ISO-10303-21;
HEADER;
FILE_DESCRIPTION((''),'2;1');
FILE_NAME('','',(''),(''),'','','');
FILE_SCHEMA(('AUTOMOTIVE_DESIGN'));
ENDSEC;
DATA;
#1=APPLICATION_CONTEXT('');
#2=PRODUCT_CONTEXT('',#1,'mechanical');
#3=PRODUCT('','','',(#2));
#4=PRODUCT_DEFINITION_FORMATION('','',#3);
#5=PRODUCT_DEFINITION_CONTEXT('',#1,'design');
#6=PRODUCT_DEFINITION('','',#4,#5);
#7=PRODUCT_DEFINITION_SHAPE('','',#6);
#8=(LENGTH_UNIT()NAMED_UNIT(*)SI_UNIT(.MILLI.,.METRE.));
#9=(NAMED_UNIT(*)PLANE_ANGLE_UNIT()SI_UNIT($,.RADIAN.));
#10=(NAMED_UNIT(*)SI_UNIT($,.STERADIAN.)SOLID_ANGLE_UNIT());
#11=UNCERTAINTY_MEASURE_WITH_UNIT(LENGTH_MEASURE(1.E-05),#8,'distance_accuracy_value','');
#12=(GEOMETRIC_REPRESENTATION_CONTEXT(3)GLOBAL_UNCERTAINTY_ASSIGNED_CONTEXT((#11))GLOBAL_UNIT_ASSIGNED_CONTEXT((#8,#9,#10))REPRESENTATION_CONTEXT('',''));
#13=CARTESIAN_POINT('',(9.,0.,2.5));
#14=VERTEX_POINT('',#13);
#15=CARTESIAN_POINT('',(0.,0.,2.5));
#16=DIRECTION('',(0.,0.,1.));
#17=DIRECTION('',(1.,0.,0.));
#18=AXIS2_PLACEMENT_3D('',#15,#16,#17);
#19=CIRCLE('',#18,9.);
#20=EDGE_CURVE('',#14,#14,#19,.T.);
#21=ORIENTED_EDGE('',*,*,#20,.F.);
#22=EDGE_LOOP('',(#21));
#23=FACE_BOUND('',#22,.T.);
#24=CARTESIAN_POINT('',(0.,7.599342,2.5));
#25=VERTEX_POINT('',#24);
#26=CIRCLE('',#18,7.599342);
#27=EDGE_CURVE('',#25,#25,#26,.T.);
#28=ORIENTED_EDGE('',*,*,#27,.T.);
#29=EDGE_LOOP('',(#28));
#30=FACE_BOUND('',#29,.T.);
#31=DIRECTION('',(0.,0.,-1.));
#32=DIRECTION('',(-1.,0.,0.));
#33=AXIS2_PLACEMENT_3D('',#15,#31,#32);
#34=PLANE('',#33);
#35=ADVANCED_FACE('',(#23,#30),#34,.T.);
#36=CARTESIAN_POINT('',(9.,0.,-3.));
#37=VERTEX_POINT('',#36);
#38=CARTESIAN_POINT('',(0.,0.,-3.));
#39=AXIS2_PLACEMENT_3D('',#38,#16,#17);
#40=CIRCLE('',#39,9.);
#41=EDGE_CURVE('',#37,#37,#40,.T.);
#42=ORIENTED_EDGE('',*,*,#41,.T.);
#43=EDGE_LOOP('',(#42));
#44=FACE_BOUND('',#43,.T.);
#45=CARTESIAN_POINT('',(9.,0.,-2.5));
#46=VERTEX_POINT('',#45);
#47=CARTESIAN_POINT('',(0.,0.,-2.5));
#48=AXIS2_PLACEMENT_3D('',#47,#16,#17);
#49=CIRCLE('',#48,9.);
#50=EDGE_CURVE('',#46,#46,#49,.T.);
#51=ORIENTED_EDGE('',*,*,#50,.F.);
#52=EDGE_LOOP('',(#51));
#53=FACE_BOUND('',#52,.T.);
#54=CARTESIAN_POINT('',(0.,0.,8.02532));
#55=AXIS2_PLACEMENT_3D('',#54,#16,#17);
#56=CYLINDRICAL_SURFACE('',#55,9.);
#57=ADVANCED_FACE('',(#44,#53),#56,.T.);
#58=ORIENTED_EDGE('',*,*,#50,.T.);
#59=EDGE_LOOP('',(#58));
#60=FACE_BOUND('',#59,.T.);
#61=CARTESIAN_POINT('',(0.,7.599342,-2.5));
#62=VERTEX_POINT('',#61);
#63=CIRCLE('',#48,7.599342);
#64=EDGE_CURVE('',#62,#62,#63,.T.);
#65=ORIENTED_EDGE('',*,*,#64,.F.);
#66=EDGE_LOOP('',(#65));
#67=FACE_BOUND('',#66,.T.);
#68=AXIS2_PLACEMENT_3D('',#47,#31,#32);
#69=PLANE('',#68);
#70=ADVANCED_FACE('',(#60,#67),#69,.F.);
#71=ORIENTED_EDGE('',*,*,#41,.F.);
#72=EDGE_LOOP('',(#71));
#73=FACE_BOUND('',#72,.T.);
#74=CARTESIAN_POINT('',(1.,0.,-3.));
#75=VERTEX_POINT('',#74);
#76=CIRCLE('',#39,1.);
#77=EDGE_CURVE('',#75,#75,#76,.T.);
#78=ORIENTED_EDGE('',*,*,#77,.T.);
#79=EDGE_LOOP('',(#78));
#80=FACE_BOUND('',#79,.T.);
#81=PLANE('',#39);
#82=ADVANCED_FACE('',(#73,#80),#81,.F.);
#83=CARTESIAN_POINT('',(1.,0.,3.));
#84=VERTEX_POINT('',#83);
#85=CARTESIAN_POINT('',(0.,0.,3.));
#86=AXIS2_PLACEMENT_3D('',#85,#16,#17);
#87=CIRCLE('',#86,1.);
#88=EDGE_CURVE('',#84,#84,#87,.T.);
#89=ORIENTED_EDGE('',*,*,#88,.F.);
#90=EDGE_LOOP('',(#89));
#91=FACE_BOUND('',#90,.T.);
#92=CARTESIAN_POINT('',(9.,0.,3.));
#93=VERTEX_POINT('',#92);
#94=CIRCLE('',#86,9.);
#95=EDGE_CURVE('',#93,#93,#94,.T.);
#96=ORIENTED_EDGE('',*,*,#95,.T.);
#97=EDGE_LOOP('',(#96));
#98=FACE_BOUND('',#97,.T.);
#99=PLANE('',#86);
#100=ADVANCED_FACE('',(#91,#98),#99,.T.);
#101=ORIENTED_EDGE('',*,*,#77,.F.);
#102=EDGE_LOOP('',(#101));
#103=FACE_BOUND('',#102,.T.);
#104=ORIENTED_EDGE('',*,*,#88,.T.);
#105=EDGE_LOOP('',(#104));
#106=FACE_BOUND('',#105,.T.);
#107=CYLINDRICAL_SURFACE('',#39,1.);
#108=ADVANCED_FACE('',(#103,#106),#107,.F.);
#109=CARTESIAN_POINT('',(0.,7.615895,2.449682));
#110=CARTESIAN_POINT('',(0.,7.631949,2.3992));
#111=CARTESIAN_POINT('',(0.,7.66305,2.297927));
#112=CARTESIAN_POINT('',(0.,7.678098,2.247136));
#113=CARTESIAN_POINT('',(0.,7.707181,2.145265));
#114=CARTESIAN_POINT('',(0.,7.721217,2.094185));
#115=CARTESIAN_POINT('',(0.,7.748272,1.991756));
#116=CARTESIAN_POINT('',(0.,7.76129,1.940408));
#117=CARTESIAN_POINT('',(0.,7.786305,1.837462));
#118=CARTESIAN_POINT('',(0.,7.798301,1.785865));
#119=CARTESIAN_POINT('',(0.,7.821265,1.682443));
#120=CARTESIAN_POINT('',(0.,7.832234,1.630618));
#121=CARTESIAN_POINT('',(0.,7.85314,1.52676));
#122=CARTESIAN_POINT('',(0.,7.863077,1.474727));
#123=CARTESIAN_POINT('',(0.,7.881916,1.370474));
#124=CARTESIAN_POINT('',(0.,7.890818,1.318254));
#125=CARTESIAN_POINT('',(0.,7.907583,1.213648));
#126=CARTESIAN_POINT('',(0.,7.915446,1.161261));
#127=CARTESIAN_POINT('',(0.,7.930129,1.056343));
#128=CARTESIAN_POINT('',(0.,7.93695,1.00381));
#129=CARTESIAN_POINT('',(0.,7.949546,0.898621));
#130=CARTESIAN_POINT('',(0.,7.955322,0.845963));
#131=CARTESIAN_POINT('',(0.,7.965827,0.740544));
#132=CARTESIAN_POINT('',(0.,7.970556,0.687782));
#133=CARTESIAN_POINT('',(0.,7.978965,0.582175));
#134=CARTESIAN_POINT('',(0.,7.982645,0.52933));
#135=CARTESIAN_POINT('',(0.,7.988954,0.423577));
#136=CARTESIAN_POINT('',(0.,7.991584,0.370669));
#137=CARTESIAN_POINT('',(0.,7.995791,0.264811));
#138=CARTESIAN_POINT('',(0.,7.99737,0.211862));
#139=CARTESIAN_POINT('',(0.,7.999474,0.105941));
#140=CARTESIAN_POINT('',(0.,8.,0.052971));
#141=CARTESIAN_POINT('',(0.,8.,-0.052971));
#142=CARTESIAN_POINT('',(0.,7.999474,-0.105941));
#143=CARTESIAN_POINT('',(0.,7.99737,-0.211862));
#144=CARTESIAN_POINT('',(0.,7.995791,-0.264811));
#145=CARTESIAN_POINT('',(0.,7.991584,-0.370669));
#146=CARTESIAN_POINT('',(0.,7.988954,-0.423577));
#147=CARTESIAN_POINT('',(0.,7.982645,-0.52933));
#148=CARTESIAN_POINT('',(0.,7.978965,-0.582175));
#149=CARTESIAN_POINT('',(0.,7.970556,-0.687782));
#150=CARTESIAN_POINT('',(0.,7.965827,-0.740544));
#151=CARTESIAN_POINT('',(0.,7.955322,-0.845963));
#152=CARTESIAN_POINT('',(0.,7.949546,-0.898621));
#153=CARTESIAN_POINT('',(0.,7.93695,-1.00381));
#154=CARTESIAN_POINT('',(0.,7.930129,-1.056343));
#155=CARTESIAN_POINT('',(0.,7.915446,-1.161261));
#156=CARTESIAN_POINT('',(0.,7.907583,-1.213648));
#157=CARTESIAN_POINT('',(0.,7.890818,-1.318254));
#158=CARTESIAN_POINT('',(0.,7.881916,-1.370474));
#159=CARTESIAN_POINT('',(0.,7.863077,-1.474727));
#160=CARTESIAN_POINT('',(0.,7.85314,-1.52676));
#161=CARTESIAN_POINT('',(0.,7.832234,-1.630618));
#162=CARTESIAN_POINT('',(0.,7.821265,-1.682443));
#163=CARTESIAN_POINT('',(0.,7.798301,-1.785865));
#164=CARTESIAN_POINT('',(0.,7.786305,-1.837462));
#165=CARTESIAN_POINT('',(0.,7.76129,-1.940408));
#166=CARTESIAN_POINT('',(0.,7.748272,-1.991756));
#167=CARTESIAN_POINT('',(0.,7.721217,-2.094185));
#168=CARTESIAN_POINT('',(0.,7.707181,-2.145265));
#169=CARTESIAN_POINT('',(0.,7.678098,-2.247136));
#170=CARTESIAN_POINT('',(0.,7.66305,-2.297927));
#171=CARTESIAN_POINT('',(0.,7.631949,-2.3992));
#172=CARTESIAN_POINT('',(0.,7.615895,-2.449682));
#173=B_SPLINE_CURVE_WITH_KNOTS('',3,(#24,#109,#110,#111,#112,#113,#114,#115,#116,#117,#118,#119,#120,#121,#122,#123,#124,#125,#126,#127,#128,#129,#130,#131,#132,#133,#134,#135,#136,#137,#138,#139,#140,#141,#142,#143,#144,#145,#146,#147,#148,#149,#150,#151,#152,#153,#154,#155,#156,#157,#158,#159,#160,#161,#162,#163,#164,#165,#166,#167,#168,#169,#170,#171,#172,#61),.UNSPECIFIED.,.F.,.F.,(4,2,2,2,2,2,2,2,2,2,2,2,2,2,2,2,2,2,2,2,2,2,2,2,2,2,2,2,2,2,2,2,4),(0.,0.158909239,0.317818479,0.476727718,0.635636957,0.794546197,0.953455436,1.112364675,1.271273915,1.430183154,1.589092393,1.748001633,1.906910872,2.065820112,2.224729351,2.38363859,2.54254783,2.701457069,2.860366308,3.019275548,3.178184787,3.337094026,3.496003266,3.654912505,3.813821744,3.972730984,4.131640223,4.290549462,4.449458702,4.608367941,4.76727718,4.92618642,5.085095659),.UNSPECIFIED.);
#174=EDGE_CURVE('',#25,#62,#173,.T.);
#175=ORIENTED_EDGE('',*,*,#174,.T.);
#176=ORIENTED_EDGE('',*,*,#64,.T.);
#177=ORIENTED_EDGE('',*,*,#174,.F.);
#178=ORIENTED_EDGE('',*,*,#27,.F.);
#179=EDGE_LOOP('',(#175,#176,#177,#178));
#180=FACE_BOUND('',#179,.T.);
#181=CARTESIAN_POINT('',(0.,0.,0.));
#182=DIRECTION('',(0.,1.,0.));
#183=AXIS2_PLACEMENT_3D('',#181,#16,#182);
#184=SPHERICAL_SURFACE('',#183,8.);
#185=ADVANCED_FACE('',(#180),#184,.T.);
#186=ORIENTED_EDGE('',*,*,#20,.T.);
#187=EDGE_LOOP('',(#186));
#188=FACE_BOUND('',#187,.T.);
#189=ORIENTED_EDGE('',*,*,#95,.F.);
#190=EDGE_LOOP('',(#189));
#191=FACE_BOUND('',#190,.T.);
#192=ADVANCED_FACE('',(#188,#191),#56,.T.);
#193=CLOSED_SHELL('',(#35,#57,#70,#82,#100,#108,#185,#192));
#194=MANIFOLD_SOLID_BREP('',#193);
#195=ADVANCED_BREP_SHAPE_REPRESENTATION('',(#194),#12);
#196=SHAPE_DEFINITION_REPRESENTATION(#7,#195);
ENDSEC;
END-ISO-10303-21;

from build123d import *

# Parameters (mm, degrees)
SKETCH5_R          = 1
CUT_EXTRUDE1_DEPTH = 15.071247279


with BuildPart() as part:
    # Sketch1 → Revolve1 (revolve)
    with BuildSketch(Plane(origin=(0, 0, 0), x_dir=(0, 0, -1), z_dir=(1, 0, 0)), mode=Mode.PRIVATE) as revolve1_sk:
        with BuildLine():
            Line((0, 0), (0, 8))
            ThreePointArc((0, 8), (-1.265950905, 7.899200485), (-2.5, 7.599342077))
            Line((-2.5, 7.599342077), (-2.5, 8))
            Line((-2.5, 8), (-2.5, 9))
            Line((-2.5, 9), (-3, 9))
            Line((-3, 9), (-3, 0))
            Line((-3, 0), (0, 0))
        make_face()
        with BuildLine():
            ThreePointArc((2.5, 7.599342077), (1.265950905, 7.899200485), (0, 8))
            Line((0, 8), (0, 0))
            Line((0, 0), (3, 0))
            Line((3, 0), (3, 9))
            Line((3, 9), (2.5, 9))
            Line((2.5, 9), (2.5, 8))
            Line((2.5, 8), (2.5, 7.599342077))
        make_face()
    revolve(revolve1_sk.sketch.rotate(Axis((0, 0, 8.025320303), (0, 0, -1)), 90), axis=Axis((0, 0, 8.025320303), (0, 0, -1)))

    # Sketch5 → Cut-Extrude1 (cut, through all)
    with BuildSketch(Plane.XY.offset(3)):
        Circle(SKETCH5_R)
    extrude(amount=-CUT_EXTRUDE1_DEPTH, mode=Mode.SUBTRACT)


solid = part.part
